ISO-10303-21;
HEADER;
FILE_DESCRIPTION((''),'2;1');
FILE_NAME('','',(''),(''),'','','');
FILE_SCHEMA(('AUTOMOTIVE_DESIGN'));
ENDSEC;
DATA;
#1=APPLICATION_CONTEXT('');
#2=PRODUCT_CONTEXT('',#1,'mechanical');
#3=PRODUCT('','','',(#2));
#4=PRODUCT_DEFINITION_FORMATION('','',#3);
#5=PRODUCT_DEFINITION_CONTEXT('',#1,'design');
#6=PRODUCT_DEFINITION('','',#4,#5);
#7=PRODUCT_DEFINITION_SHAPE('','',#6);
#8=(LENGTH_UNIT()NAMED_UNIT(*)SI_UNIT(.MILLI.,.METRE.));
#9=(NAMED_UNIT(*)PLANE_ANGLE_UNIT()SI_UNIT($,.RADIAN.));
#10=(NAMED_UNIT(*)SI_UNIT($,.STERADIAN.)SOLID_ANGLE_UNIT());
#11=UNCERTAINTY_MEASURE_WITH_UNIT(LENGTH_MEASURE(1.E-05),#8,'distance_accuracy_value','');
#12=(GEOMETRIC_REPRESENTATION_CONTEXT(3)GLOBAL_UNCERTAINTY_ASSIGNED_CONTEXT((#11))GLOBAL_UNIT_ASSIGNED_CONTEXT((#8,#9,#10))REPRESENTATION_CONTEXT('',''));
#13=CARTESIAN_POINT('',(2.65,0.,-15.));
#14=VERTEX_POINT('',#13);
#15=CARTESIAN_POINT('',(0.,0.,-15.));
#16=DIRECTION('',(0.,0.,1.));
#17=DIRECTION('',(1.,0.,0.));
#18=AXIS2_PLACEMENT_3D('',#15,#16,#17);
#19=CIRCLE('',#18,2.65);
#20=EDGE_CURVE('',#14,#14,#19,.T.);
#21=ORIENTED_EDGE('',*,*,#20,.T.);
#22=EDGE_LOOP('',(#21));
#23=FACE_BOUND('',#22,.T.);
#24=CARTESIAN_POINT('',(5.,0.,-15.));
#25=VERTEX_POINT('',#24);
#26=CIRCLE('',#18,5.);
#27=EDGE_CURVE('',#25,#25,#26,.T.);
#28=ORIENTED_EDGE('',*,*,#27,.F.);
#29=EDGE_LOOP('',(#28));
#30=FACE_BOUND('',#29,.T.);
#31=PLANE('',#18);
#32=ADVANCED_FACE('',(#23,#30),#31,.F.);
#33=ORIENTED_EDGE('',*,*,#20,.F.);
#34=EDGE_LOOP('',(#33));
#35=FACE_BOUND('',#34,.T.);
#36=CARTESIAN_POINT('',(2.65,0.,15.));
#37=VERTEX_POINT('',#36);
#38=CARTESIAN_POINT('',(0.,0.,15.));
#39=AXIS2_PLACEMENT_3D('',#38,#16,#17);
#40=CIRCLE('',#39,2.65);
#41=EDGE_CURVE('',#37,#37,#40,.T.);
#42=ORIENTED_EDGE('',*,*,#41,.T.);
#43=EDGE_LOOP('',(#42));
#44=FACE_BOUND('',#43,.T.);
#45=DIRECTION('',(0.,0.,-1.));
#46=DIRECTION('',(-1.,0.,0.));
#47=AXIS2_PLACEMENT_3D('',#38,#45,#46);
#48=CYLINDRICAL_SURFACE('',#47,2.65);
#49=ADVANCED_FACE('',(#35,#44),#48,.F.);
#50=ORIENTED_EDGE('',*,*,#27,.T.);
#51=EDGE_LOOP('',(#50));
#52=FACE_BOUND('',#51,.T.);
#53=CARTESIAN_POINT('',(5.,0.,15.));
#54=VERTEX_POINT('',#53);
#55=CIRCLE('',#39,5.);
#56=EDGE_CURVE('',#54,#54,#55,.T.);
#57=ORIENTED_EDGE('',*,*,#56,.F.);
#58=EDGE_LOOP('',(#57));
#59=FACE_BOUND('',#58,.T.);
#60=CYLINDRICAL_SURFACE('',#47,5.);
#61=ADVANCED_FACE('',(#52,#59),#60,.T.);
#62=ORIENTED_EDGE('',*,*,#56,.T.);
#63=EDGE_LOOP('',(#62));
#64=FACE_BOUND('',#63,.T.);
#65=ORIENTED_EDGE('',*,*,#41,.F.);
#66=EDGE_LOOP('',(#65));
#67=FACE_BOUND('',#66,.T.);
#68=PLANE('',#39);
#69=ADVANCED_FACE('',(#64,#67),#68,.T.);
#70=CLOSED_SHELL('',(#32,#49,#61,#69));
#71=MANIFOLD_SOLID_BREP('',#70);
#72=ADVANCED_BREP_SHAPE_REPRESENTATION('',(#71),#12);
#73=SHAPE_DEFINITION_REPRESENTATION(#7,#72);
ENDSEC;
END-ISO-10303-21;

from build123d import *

# Parameters (mm, degrees)
SKETCH1_R      = 5
SKETCH1_R_2    = 2.65
EXTRUDE1_DEPTH = 15


with BuildPart() as part:
    # Sketch1 → Extrude1 (new body, symmetric)
    with BuildSketch(Plane.XY):
        Circle(SKETCH1_R)
        Circle(SKETCH1_R_2, mode=Mode.SUBTRACT)
    extrude(amount=EXTRUDE1_DEPTH, both=True)


solid = part.part
